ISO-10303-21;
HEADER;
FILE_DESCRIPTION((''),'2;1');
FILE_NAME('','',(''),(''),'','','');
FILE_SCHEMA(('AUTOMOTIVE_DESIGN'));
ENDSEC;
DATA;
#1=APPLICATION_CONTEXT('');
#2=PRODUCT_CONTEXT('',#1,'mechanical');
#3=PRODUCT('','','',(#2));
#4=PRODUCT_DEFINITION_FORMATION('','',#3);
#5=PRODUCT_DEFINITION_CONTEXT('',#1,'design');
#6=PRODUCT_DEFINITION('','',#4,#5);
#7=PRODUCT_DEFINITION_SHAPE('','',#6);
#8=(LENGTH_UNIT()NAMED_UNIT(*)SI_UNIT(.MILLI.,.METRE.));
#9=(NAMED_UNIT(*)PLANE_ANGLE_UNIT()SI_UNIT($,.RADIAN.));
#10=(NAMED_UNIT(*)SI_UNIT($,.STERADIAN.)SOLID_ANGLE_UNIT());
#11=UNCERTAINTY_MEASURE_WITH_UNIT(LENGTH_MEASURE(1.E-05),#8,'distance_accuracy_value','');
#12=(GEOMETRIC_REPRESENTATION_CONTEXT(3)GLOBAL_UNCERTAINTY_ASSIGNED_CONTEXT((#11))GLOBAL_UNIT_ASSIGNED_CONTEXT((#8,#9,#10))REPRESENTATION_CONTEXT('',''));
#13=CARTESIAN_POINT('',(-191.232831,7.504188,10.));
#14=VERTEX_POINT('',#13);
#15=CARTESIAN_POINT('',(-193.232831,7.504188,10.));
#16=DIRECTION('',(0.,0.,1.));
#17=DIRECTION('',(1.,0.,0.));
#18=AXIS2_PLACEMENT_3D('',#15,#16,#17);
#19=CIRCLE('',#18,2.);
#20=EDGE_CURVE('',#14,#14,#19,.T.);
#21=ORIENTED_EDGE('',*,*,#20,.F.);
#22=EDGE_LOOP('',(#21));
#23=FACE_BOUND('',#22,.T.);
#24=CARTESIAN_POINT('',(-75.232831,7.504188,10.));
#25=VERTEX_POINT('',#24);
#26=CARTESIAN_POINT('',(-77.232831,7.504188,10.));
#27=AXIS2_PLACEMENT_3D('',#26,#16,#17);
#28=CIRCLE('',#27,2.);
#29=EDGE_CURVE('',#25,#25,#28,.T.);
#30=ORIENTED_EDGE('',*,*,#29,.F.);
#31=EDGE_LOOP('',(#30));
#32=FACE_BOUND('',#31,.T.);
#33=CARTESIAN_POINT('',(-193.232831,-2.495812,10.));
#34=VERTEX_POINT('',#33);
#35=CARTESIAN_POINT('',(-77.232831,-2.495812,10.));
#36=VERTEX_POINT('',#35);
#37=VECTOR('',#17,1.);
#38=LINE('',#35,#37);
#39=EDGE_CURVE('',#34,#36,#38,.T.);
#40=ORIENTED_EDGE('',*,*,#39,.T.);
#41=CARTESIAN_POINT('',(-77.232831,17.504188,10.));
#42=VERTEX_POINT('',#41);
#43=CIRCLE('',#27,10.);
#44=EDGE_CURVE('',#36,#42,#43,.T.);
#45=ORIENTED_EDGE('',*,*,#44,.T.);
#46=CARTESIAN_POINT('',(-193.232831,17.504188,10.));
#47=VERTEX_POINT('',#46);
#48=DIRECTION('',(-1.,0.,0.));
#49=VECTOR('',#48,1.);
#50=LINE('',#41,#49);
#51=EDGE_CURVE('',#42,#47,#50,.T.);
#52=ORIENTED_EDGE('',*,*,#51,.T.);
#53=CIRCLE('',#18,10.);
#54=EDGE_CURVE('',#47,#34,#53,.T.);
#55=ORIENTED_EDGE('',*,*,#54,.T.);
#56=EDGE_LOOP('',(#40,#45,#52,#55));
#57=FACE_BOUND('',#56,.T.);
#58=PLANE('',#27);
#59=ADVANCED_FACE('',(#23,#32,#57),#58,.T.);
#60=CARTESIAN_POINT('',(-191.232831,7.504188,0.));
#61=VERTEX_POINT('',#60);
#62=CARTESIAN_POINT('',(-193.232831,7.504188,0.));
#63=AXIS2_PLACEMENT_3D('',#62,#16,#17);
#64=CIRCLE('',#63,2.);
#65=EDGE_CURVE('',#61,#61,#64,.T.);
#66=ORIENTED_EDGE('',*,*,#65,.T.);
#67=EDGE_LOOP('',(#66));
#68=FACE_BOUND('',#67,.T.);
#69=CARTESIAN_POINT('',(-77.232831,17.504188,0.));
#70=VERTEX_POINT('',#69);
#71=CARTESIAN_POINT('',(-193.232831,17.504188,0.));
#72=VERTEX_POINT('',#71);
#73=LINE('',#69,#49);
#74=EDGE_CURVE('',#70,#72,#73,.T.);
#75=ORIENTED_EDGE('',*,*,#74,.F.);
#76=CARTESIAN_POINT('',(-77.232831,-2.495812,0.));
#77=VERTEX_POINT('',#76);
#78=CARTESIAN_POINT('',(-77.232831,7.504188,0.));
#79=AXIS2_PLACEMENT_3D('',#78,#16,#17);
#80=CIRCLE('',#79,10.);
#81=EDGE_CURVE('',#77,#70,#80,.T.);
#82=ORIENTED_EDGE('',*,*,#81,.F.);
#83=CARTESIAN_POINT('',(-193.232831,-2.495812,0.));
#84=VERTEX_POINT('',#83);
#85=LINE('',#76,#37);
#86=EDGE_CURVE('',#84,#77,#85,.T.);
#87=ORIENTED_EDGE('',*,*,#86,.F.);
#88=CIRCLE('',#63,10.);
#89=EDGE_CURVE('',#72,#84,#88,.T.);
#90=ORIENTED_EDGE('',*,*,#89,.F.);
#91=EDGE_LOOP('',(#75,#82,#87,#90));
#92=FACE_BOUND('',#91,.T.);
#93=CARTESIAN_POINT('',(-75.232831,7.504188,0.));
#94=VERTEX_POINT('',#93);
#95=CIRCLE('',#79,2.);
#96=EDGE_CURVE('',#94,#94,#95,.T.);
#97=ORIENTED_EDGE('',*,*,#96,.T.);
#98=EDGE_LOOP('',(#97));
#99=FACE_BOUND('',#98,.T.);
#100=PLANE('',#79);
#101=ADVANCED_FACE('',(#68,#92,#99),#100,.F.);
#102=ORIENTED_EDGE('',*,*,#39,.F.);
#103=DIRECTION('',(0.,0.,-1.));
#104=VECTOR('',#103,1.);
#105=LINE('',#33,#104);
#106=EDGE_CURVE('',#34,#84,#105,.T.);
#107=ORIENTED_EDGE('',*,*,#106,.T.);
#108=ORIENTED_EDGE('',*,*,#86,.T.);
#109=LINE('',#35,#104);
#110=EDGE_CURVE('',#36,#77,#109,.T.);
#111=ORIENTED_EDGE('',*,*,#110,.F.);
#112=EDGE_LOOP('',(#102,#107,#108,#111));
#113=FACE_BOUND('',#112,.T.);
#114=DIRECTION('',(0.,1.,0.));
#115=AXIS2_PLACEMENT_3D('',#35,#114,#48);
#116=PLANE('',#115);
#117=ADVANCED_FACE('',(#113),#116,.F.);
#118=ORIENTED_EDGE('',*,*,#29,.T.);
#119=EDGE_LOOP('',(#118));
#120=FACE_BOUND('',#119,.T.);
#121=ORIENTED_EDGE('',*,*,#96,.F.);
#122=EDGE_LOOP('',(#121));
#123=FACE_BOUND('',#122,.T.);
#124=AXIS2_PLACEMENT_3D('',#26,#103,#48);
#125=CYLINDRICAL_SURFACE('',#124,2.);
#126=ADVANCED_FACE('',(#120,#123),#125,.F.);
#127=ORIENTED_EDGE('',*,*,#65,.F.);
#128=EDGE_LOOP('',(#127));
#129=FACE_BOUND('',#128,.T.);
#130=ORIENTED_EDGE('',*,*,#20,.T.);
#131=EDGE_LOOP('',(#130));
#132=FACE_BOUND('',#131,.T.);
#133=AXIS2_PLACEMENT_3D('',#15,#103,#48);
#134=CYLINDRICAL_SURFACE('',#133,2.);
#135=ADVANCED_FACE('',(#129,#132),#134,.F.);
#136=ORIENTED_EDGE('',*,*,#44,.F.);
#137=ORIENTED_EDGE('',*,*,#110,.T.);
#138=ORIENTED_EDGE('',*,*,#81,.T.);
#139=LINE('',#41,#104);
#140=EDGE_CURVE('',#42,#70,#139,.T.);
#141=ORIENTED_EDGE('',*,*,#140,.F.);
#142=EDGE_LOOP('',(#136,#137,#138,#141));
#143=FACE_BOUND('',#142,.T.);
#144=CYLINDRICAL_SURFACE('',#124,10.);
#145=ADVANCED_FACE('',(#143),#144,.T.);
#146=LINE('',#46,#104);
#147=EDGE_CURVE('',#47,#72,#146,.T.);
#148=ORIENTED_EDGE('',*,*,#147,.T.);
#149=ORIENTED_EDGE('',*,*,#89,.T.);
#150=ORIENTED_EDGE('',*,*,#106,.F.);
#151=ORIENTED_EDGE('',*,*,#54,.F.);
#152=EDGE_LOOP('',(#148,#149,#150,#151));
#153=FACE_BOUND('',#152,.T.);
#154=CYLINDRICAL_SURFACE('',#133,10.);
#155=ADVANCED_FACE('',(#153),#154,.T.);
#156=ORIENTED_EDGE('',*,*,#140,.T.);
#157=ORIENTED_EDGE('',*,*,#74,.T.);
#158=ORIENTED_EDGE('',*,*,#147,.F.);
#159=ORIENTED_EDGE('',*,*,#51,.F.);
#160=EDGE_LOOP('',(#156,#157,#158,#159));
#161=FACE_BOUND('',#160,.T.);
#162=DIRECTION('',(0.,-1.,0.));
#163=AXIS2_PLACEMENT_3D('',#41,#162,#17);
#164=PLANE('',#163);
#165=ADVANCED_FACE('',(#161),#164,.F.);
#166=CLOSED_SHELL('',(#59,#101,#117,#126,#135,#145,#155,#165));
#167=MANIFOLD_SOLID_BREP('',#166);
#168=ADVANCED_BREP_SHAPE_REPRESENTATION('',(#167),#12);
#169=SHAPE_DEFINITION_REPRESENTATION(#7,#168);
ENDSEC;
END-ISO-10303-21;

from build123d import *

# Parameters (mm, degrees)
SKETCH1_R           = 2
BOSS_EXTRUDE1_DEPTH = 10


with BuildPart() as part:
    # Sketch1 → Boss-Extrude1 (new body)
    with BuildSketch(Plane.XY):
        with BuildLine():
            Line((-77.232830821, -2.495812395), (-193.232830821, -2.495812395))
            ThreePointArc((-193.232830821, -2.495812395), (-203.232830821, 7.504187605), (-193.232830821, 17.504187605))
            Line((-193.232830821, 17.504187605), (-77.232830821, 17.504187605))
            ThreePointArc((-77.232830821, 17.504187605), (-67.232830821, 7.504187605), (-77.232830821, -2.495812395))
        make_face()
        with Locations((-193.232830821, 7.504187605)):
            Circle(SKETCH1_R, mode=Mode.SUBTRACT)
        with Locations((-77.232830821, 7.504187605)):
            Circle(SKETCH1_R, mode=Mode.SUBTRACT)
    extrude(amount=BOSS_EXTRUDE1_DEPTH)


solid = part.part
